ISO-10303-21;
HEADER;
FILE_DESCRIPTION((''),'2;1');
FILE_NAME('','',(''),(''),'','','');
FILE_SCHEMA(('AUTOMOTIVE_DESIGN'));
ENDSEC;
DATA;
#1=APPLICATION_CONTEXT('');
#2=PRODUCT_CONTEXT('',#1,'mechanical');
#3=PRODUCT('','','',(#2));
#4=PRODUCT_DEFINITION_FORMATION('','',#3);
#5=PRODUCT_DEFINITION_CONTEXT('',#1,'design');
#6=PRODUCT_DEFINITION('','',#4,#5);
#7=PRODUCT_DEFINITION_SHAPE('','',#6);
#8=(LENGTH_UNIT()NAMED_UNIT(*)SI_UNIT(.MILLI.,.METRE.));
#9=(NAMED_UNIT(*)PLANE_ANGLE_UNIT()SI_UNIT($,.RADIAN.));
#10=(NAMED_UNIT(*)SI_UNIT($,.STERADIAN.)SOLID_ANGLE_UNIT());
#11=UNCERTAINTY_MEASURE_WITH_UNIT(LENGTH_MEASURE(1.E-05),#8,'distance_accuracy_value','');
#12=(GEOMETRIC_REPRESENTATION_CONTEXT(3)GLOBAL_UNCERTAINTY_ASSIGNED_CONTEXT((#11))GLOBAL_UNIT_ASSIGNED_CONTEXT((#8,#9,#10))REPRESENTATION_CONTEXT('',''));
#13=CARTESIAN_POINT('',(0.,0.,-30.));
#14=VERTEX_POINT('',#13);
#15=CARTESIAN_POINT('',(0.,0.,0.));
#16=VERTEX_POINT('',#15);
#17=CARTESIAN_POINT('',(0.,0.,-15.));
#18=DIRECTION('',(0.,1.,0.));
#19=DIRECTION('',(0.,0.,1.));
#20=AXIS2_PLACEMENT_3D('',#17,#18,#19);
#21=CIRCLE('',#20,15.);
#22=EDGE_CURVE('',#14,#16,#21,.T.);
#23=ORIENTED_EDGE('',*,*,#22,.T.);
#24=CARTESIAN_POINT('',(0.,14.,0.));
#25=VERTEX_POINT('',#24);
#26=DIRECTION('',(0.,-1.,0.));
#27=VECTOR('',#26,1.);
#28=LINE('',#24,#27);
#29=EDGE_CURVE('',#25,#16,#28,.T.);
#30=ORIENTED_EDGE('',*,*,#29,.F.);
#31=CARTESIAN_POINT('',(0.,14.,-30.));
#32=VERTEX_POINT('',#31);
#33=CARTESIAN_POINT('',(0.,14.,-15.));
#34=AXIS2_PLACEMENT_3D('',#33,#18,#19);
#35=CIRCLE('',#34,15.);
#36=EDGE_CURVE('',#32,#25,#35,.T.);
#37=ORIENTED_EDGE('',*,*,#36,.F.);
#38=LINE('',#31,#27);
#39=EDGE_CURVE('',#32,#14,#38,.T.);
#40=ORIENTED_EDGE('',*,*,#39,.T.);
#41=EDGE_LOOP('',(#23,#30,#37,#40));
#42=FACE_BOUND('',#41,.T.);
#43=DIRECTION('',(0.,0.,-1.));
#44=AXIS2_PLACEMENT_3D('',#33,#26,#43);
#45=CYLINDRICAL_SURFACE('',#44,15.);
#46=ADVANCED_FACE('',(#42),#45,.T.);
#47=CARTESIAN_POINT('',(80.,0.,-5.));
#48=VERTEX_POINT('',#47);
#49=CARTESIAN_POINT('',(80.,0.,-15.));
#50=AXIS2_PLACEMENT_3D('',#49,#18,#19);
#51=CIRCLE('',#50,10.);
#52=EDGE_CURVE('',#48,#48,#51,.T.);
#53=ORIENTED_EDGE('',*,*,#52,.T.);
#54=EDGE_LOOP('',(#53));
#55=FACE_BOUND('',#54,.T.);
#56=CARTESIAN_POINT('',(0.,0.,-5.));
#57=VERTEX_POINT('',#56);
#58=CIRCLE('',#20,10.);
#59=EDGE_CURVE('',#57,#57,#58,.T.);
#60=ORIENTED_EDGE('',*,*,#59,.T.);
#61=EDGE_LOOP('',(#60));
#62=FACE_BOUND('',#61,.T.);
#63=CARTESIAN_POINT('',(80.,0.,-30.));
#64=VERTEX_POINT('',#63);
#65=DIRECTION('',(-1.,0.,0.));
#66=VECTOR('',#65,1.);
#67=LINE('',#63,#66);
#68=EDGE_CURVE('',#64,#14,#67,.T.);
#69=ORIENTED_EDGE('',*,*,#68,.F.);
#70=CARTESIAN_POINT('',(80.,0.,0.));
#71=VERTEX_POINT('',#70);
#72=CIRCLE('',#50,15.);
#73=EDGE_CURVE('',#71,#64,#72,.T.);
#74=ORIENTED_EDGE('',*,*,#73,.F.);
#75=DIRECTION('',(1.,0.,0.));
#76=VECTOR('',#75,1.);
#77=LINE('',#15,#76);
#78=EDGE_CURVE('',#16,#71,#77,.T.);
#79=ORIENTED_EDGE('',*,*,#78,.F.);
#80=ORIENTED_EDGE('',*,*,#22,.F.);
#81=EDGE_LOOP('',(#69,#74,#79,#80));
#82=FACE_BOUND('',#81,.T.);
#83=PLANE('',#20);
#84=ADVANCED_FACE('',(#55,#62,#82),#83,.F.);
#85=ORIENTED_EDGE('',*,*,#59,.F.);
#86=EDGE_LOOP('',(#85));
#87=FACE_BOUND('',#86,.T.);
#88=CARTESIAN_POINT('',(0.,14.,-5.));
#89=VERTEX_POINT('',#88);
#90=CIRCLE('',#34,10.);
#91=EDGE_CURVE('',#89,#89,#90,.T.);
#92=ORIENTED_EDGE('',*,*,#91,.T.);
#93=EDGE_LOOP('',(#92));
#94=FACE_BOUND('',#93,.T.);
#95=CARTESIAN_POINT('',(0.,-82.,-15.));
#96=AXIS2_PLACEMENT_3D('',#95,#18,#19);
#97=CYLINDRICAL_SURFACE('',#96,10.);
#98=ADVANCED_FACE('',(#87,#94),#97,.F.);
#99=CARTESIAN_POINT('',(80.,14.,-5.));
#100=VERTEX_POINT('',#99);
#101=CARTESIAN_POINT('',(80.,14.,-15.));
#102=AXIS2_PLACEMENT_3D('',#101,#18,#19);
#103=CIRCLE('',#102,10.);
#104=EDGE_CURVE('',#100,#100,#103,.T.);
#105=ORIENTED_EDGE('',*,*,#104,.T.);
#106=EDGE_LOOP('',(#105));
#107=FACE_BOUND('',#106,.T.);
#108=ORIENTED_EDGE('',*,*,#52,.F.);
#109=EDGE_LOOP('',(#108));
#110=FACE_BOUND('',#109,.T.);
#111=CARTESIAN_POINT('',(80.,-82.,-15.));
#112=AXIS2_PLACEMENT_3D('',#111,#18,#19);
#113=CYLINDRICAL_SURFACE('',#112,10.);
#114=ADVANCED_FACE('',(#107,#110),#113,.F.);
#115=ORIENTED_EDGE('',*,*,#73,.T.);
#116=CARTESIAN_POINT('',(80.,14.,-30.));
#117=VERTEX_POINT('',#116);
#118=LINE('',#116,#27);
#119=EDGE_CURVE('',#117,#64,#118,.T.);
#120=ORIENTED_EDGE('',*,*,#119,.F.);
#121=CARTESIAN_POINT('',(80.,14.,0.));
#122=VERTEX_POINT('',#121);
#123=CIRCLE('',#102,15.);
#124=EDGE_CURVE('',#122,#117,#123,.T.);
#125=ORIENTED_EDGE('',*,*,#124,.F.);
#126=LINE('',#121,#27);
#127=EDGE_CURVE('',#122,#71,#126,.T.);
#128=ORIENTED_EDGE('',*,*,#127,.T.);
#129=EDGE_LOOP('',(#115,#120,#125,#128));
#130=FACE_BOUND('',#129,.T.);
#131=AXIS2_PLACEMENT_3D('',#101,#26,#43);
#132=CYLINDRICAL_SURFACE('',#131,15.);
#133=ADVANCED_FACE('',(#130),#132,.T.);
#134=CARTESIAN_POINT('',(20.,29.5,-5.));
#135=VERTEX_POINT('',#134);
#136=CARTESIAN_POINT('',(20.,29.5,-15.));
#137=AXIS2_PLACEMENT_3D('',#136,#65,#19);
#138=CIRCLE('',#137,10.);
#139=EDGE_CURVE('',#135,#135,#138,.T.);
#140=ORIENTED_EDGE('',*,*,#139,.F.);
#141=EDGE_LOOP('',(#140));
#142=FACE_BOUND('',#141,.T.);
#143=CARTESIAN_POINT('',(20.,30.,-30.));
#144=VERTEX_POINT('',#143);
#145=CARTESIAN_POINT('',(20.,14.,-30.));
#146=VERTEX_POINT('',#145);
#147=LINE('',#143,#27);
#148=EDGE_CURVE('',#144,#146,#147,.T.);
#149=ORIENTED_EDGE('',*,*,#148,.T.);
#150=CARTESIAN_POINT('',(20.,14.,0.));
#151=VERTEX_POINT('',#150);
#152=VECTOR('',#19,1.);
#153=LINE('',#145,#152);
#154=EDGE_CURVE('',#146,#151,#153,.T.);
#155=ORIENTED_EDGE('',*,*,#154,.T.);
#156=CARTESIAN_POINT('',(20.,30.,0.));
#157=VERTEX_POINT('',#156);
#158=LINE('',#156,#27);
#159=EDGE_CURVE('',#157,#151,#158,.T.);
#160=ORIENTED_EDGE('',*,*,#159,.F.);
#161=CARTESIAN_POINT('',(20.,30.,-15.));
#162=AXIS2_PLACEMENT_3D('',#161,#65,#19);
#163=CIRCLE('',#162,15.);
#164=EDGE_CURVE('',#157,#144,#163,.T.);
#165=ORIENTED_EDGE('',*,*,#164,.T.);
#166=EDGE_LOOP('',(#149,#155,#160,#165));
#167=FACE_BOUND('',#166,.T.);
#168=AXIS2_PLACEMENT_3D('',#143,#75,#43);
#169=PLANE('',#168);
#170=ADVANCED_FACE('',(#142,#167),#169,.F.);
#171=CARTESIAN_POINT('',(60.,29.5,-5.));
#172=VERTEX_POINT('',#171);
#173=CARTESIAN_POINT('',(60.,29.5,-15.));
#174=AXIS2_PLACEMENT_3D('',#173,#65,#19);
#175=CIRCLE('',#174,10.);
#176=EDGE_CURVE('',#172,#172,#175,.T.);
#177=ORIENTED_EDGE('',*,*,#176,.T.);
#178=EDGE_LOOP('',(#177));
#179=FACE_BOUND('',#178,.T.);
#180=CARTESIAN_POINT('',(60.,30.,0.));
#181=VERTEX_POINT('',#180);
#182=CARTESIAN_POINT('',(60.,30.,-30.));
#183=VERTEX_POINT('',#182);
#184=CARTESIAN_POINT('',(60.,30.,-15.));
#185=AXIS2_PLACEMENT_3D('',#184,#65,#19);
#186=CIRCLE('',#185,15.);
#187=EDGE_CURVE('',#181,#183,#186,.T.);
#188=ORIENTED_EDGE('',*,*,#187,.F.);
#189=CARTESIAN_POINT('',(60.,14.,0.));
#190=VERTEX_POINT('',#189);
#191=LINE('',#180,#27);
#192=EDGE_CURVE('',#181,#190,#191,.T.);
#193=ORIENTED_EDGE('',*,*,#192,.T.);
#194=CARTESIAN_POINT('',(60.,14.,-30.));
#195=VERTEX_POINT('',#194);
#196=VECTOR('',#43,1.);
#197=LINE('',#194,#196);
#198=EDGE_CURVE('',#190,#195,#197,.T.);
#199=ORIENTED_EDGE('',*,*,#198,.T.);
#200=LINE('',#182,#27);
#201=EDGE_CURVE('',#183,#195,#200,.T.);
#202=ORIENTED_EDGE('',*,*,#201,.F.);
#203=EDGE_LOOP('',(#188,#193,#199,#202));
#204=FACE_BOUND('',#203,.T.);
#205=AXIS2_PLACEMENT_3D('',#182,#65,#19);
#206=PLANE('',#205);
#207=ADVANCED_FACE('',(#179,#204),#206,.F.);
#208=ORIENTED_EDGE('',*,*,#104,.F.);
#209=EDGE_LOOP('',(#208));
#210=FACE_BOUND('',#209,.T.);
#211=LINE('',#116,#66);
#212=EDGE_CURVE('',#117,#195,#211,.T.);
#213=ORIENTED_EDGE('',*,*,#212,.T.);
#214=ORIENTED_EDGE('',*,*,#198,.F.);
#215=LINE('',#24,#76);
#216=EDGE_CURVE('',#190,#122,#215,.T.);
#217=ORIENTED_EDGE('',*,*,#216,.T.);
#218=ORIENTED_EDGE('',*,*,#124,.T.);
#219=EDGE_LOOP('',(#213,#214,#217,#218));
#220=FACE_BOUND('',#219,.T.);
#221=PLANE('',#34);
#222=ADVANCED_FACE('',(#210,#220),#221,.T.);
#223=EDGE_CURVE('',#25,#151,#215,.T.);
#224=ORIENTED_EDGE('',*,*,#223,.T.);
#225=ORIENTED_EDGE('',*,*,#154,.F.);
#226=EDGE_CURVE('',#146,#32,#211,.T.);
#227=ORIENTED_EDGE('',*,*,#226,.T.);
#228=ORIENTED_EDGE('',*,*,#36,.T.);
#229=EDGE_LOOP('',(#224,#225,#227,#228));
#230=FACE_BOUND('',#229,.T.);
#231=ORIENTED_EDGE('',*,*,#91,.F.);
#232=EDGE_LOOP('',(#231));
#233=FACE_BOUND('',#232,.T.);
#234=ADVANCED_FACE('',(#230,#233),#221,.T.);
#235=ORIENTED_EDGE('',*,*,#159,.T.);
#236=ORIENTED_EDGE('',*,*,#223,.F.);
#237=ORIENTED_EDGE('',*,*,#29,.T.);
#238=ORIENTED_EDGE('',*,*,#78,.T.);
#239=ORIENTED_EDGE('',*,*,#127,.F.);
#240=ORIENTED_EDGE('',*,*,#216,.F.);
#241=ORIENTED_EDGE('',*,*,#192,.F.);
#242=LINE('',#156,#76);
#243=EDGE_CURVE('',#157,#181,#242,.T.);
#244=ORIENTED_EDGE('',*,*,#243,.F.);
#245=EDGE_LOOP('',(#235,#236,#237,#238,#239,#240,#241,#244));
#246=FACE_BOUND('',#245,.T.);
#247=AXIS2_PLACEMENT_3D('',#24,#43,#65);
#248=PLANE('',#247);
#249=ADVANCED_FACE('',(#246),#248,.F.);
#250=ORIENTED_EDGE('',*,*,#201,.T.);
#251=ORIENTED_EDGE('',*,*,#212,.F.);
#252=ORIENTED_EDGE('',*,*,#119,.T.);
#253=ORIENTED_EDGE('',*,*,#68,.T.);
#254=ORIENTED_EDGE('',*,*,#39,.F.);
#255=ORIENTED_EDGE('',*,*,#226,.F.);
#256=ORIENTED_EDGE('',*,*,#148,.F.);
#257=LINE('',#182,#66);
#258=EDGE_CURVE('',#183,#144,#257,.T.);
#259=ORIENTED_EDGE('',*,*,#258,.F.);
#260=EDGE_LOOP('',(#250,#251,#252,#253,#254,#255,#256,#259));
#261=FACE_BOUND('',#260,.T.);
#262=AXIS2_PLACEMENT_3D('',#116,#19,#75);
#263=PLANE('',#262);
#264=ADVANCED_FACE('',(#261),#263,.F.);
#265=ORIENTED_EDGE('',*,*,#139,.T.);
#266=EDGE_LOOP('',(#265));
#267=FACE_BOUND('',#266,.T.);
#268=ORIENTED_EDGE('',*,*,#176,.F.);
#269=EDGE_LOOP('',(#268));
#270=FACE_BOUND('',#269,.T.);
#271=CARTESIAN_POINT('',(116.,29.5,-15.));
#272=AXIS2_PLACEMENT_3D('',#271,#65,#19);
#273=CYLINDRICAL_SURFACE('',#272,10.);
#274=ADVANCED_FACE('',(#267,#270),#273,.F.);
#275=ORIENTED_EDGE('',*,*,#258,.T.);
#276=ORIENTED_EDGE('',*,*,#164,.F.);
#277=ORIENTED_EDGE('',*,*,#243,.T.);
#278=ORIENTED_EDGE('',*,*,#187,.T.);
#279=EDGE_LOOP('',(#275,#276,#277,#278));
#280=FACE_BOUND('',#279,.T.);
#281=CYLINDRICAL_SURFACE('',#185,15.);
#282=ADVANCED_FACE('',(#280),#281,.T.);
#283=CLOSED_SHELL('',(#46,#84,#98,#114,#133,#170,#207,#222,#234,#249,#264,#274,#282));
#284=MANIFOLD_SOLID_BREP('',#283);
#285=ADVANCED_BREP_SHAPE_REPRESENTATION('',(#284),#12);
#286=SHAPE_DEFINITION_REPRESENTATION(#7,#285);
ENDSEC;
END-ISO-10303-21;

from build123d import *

# Parameters (mm, degrees)
SALIENTE_EXTRUIR1_DEPTH = 14
CROQUIS2_W              = 40
CROQUIS2_H              = 30
SALIENTE_EXTRUIR2_DEPTH = 16
CROQUIS3_R              = 15
SALIENTE_EXTRUIR4_DEPTH = 40
CROQUIS6_R              = 10
CORTAR_EXTRUIR1_DEPTH   = 96
CROQUIS8_R              = 10
CORTAR_EXTRUIR2_DEPTH   = 96
CROQUIS11_R             = 10
CORTAR_EXTRUIR3_DEPTH   = 96


with BuildPart() as part:
    # Croquis1 → Saliente-Extruir1 (new body)
    with BuildSketch(Plane(origin=(0, 0, 0), x_dir=(1, 0, 0), z_dir=(0, 1, 0))):
        with BuildLine():
            Line((0, 0), (80, 0))
            ThreePointArc((80, 0), (95, 15), (80, 30))
            Line((80, 30), (0, 30))
            ThreePointArc((0, 30), (-15, 15), (0, 0))
        make_face()
    extrude(amount=SALIENTE_EXTRUIR1_DEPTH)

    # Croquis2 → Saliente-Extruir2 (add)
    with BuildSketch(Plane(origin=(0, 14, 0), x_dir=(1, 0, 0), z_dir=(0, 1, 0))):
        with Locations((40, 15)):
            Rectangle(CROQUIS2_W, CROQUIS2_H)
    extrude(amount=SALIENTE_EXTRUIR2_DEPTH)

    # Croquis3 → Saliente-Extruir4 (add)
    with BuildSketch(Plane.ZY.offset(-20)):
        with Locations((-15, 30)):
            Circle(CROQUIS3_R)
    extrude(amount=-SALIENTE_EXTRUIR4_DEPTH)

    # Croquis6 → Cortar-Extruir1 (cut)
    with BuildSketch(Plane.ZY.offset(-20)):
        with Locations((-15, 29.5)):
            Circle(CROQUIS6_R)
    extrude(amount=-CORTAR_EXTRUIR1_DEPTH, mode=Mode.SUBTRACT)

    # Croquis8 → Cortar-Extruir2 (cut)
    with BuildSketch(Plane(origin=(0, 14, 0), x_dir=(1, 0, 0), z_dir=(0, 1, 0))):
        with Locations(Location((0, 15, 0), (0, 0, 270))):
            Circle(CROQUIS8_R)
    extrude(amount=-CORTAR_EXTRUIR2_DEPTH, mode=Mode.SUBTRACT)

    # Croquis11 → Cortar-Extruir3 (cut)
    with BuildSketch(Plane(origin=(0, 14, 0), x_dir=(1, 0, 0), z_dir=(0, 1, 0))):
        with Locations(Location((80, 15, 0), (0, 0, 270))):
            Circle(CROQUIS11_R)
    extrude(amount=-CORTAR_EXTRUIR3_DEPTH, mode=Mode.SUBTRACT)


solid = part.part
